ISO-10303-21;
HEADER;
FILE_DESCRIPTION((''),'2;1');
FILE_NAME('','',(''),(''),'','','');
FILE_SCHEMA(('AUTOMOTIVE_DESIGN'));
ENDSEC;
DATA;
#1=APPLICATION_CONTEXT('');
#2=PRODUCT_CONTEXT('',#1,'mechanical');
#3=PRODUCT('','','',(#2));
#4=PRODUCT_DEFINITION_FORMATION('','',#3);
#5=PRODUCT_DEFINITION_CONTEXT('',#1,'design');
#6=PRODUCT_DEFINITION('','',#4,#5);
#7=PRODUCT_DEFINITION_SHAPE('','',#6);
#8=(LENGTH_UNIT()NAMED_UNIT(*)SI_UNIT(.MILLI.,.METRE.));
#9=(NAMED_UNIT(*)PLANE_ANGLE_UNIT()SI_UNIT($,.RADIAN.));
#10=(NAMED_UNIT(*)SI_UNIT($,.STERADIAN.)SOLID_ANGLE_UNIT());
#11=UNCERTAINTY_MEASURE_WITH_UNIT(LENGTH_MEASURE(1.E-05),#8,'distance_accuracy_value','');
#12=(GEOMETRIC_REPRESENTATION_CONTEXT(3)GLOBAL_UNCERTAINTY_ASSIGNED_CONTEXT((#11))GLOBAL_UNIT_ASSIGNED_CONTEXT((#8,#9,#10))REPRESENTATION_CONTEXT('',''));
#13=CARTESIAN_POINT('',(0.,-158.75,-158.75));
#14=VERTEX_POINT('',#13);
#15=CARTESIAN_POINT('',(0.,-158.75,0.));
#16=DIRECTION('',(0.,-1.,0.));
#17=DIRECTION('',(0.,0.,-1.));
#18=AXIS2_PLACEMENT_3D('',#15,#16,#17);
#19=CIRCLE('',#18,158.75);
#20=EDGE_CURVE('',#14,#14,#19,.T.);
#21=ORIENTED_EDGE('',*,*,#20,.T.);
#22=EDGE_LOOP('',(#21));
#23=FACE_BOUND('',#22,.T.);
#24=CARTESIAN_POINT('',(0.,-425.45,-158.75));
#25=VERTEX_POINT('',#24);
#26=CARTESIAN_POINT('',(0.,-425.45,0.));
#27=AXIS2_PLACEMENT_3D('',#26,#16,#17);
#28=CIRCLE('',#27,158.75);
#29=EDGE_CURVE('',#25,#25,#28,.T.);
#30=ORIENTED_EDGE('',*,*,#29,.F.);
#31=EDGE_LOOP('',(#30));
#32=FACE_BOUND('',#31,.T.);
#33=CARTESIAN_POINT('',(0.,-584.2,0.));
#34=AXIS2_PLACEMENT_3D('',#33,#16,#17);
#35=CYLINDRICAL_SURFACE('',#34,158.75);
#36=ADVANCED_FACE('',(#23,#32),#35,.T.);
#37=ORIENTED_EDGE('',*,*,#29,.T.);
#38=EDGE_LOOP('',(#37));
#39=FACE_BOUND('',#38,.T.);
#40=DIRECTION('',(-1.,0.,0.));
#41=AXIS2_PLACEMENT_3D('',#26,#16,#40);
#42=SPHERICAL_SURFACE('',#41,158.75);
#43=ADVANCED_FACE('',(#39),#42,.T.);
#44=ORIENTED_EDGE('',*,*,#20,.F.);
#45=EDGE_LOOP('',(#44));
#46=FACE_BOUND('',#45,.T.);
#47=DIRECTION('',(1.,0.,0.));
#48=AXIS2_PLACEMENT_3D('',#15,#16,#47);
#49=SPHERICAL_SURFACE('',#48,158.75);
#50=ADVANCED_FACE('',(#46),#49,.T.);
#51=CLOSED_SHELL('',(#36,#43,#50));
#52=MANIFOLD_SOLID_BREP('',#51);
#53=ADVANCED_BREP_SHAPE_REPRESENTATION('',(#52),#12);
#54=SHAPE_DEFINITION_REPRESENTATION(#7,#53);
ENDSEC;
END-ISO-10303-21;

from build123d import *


with BuildPart() as part:
    # Sketch1 → Revolve1 (revolve)
    with BuildSketch(Plane.XY):
        with BuildLine():
            Line((-158.75, -158.75), (-158.75, -425.45))
            ThreePointArc((-158.75, -425.45), (-112.253201513, -537.703201513), (0, -584.2))
            Line((0, -584.2), (0, 0))
            ThreePointArc((0, 0), (-112.253201513, -46.496798487), (-158.75, -158.75))
        make_face()
    revolve(axis=Axis((0, -584.2, 0), (0, 1, 0)))


solid = part.part
